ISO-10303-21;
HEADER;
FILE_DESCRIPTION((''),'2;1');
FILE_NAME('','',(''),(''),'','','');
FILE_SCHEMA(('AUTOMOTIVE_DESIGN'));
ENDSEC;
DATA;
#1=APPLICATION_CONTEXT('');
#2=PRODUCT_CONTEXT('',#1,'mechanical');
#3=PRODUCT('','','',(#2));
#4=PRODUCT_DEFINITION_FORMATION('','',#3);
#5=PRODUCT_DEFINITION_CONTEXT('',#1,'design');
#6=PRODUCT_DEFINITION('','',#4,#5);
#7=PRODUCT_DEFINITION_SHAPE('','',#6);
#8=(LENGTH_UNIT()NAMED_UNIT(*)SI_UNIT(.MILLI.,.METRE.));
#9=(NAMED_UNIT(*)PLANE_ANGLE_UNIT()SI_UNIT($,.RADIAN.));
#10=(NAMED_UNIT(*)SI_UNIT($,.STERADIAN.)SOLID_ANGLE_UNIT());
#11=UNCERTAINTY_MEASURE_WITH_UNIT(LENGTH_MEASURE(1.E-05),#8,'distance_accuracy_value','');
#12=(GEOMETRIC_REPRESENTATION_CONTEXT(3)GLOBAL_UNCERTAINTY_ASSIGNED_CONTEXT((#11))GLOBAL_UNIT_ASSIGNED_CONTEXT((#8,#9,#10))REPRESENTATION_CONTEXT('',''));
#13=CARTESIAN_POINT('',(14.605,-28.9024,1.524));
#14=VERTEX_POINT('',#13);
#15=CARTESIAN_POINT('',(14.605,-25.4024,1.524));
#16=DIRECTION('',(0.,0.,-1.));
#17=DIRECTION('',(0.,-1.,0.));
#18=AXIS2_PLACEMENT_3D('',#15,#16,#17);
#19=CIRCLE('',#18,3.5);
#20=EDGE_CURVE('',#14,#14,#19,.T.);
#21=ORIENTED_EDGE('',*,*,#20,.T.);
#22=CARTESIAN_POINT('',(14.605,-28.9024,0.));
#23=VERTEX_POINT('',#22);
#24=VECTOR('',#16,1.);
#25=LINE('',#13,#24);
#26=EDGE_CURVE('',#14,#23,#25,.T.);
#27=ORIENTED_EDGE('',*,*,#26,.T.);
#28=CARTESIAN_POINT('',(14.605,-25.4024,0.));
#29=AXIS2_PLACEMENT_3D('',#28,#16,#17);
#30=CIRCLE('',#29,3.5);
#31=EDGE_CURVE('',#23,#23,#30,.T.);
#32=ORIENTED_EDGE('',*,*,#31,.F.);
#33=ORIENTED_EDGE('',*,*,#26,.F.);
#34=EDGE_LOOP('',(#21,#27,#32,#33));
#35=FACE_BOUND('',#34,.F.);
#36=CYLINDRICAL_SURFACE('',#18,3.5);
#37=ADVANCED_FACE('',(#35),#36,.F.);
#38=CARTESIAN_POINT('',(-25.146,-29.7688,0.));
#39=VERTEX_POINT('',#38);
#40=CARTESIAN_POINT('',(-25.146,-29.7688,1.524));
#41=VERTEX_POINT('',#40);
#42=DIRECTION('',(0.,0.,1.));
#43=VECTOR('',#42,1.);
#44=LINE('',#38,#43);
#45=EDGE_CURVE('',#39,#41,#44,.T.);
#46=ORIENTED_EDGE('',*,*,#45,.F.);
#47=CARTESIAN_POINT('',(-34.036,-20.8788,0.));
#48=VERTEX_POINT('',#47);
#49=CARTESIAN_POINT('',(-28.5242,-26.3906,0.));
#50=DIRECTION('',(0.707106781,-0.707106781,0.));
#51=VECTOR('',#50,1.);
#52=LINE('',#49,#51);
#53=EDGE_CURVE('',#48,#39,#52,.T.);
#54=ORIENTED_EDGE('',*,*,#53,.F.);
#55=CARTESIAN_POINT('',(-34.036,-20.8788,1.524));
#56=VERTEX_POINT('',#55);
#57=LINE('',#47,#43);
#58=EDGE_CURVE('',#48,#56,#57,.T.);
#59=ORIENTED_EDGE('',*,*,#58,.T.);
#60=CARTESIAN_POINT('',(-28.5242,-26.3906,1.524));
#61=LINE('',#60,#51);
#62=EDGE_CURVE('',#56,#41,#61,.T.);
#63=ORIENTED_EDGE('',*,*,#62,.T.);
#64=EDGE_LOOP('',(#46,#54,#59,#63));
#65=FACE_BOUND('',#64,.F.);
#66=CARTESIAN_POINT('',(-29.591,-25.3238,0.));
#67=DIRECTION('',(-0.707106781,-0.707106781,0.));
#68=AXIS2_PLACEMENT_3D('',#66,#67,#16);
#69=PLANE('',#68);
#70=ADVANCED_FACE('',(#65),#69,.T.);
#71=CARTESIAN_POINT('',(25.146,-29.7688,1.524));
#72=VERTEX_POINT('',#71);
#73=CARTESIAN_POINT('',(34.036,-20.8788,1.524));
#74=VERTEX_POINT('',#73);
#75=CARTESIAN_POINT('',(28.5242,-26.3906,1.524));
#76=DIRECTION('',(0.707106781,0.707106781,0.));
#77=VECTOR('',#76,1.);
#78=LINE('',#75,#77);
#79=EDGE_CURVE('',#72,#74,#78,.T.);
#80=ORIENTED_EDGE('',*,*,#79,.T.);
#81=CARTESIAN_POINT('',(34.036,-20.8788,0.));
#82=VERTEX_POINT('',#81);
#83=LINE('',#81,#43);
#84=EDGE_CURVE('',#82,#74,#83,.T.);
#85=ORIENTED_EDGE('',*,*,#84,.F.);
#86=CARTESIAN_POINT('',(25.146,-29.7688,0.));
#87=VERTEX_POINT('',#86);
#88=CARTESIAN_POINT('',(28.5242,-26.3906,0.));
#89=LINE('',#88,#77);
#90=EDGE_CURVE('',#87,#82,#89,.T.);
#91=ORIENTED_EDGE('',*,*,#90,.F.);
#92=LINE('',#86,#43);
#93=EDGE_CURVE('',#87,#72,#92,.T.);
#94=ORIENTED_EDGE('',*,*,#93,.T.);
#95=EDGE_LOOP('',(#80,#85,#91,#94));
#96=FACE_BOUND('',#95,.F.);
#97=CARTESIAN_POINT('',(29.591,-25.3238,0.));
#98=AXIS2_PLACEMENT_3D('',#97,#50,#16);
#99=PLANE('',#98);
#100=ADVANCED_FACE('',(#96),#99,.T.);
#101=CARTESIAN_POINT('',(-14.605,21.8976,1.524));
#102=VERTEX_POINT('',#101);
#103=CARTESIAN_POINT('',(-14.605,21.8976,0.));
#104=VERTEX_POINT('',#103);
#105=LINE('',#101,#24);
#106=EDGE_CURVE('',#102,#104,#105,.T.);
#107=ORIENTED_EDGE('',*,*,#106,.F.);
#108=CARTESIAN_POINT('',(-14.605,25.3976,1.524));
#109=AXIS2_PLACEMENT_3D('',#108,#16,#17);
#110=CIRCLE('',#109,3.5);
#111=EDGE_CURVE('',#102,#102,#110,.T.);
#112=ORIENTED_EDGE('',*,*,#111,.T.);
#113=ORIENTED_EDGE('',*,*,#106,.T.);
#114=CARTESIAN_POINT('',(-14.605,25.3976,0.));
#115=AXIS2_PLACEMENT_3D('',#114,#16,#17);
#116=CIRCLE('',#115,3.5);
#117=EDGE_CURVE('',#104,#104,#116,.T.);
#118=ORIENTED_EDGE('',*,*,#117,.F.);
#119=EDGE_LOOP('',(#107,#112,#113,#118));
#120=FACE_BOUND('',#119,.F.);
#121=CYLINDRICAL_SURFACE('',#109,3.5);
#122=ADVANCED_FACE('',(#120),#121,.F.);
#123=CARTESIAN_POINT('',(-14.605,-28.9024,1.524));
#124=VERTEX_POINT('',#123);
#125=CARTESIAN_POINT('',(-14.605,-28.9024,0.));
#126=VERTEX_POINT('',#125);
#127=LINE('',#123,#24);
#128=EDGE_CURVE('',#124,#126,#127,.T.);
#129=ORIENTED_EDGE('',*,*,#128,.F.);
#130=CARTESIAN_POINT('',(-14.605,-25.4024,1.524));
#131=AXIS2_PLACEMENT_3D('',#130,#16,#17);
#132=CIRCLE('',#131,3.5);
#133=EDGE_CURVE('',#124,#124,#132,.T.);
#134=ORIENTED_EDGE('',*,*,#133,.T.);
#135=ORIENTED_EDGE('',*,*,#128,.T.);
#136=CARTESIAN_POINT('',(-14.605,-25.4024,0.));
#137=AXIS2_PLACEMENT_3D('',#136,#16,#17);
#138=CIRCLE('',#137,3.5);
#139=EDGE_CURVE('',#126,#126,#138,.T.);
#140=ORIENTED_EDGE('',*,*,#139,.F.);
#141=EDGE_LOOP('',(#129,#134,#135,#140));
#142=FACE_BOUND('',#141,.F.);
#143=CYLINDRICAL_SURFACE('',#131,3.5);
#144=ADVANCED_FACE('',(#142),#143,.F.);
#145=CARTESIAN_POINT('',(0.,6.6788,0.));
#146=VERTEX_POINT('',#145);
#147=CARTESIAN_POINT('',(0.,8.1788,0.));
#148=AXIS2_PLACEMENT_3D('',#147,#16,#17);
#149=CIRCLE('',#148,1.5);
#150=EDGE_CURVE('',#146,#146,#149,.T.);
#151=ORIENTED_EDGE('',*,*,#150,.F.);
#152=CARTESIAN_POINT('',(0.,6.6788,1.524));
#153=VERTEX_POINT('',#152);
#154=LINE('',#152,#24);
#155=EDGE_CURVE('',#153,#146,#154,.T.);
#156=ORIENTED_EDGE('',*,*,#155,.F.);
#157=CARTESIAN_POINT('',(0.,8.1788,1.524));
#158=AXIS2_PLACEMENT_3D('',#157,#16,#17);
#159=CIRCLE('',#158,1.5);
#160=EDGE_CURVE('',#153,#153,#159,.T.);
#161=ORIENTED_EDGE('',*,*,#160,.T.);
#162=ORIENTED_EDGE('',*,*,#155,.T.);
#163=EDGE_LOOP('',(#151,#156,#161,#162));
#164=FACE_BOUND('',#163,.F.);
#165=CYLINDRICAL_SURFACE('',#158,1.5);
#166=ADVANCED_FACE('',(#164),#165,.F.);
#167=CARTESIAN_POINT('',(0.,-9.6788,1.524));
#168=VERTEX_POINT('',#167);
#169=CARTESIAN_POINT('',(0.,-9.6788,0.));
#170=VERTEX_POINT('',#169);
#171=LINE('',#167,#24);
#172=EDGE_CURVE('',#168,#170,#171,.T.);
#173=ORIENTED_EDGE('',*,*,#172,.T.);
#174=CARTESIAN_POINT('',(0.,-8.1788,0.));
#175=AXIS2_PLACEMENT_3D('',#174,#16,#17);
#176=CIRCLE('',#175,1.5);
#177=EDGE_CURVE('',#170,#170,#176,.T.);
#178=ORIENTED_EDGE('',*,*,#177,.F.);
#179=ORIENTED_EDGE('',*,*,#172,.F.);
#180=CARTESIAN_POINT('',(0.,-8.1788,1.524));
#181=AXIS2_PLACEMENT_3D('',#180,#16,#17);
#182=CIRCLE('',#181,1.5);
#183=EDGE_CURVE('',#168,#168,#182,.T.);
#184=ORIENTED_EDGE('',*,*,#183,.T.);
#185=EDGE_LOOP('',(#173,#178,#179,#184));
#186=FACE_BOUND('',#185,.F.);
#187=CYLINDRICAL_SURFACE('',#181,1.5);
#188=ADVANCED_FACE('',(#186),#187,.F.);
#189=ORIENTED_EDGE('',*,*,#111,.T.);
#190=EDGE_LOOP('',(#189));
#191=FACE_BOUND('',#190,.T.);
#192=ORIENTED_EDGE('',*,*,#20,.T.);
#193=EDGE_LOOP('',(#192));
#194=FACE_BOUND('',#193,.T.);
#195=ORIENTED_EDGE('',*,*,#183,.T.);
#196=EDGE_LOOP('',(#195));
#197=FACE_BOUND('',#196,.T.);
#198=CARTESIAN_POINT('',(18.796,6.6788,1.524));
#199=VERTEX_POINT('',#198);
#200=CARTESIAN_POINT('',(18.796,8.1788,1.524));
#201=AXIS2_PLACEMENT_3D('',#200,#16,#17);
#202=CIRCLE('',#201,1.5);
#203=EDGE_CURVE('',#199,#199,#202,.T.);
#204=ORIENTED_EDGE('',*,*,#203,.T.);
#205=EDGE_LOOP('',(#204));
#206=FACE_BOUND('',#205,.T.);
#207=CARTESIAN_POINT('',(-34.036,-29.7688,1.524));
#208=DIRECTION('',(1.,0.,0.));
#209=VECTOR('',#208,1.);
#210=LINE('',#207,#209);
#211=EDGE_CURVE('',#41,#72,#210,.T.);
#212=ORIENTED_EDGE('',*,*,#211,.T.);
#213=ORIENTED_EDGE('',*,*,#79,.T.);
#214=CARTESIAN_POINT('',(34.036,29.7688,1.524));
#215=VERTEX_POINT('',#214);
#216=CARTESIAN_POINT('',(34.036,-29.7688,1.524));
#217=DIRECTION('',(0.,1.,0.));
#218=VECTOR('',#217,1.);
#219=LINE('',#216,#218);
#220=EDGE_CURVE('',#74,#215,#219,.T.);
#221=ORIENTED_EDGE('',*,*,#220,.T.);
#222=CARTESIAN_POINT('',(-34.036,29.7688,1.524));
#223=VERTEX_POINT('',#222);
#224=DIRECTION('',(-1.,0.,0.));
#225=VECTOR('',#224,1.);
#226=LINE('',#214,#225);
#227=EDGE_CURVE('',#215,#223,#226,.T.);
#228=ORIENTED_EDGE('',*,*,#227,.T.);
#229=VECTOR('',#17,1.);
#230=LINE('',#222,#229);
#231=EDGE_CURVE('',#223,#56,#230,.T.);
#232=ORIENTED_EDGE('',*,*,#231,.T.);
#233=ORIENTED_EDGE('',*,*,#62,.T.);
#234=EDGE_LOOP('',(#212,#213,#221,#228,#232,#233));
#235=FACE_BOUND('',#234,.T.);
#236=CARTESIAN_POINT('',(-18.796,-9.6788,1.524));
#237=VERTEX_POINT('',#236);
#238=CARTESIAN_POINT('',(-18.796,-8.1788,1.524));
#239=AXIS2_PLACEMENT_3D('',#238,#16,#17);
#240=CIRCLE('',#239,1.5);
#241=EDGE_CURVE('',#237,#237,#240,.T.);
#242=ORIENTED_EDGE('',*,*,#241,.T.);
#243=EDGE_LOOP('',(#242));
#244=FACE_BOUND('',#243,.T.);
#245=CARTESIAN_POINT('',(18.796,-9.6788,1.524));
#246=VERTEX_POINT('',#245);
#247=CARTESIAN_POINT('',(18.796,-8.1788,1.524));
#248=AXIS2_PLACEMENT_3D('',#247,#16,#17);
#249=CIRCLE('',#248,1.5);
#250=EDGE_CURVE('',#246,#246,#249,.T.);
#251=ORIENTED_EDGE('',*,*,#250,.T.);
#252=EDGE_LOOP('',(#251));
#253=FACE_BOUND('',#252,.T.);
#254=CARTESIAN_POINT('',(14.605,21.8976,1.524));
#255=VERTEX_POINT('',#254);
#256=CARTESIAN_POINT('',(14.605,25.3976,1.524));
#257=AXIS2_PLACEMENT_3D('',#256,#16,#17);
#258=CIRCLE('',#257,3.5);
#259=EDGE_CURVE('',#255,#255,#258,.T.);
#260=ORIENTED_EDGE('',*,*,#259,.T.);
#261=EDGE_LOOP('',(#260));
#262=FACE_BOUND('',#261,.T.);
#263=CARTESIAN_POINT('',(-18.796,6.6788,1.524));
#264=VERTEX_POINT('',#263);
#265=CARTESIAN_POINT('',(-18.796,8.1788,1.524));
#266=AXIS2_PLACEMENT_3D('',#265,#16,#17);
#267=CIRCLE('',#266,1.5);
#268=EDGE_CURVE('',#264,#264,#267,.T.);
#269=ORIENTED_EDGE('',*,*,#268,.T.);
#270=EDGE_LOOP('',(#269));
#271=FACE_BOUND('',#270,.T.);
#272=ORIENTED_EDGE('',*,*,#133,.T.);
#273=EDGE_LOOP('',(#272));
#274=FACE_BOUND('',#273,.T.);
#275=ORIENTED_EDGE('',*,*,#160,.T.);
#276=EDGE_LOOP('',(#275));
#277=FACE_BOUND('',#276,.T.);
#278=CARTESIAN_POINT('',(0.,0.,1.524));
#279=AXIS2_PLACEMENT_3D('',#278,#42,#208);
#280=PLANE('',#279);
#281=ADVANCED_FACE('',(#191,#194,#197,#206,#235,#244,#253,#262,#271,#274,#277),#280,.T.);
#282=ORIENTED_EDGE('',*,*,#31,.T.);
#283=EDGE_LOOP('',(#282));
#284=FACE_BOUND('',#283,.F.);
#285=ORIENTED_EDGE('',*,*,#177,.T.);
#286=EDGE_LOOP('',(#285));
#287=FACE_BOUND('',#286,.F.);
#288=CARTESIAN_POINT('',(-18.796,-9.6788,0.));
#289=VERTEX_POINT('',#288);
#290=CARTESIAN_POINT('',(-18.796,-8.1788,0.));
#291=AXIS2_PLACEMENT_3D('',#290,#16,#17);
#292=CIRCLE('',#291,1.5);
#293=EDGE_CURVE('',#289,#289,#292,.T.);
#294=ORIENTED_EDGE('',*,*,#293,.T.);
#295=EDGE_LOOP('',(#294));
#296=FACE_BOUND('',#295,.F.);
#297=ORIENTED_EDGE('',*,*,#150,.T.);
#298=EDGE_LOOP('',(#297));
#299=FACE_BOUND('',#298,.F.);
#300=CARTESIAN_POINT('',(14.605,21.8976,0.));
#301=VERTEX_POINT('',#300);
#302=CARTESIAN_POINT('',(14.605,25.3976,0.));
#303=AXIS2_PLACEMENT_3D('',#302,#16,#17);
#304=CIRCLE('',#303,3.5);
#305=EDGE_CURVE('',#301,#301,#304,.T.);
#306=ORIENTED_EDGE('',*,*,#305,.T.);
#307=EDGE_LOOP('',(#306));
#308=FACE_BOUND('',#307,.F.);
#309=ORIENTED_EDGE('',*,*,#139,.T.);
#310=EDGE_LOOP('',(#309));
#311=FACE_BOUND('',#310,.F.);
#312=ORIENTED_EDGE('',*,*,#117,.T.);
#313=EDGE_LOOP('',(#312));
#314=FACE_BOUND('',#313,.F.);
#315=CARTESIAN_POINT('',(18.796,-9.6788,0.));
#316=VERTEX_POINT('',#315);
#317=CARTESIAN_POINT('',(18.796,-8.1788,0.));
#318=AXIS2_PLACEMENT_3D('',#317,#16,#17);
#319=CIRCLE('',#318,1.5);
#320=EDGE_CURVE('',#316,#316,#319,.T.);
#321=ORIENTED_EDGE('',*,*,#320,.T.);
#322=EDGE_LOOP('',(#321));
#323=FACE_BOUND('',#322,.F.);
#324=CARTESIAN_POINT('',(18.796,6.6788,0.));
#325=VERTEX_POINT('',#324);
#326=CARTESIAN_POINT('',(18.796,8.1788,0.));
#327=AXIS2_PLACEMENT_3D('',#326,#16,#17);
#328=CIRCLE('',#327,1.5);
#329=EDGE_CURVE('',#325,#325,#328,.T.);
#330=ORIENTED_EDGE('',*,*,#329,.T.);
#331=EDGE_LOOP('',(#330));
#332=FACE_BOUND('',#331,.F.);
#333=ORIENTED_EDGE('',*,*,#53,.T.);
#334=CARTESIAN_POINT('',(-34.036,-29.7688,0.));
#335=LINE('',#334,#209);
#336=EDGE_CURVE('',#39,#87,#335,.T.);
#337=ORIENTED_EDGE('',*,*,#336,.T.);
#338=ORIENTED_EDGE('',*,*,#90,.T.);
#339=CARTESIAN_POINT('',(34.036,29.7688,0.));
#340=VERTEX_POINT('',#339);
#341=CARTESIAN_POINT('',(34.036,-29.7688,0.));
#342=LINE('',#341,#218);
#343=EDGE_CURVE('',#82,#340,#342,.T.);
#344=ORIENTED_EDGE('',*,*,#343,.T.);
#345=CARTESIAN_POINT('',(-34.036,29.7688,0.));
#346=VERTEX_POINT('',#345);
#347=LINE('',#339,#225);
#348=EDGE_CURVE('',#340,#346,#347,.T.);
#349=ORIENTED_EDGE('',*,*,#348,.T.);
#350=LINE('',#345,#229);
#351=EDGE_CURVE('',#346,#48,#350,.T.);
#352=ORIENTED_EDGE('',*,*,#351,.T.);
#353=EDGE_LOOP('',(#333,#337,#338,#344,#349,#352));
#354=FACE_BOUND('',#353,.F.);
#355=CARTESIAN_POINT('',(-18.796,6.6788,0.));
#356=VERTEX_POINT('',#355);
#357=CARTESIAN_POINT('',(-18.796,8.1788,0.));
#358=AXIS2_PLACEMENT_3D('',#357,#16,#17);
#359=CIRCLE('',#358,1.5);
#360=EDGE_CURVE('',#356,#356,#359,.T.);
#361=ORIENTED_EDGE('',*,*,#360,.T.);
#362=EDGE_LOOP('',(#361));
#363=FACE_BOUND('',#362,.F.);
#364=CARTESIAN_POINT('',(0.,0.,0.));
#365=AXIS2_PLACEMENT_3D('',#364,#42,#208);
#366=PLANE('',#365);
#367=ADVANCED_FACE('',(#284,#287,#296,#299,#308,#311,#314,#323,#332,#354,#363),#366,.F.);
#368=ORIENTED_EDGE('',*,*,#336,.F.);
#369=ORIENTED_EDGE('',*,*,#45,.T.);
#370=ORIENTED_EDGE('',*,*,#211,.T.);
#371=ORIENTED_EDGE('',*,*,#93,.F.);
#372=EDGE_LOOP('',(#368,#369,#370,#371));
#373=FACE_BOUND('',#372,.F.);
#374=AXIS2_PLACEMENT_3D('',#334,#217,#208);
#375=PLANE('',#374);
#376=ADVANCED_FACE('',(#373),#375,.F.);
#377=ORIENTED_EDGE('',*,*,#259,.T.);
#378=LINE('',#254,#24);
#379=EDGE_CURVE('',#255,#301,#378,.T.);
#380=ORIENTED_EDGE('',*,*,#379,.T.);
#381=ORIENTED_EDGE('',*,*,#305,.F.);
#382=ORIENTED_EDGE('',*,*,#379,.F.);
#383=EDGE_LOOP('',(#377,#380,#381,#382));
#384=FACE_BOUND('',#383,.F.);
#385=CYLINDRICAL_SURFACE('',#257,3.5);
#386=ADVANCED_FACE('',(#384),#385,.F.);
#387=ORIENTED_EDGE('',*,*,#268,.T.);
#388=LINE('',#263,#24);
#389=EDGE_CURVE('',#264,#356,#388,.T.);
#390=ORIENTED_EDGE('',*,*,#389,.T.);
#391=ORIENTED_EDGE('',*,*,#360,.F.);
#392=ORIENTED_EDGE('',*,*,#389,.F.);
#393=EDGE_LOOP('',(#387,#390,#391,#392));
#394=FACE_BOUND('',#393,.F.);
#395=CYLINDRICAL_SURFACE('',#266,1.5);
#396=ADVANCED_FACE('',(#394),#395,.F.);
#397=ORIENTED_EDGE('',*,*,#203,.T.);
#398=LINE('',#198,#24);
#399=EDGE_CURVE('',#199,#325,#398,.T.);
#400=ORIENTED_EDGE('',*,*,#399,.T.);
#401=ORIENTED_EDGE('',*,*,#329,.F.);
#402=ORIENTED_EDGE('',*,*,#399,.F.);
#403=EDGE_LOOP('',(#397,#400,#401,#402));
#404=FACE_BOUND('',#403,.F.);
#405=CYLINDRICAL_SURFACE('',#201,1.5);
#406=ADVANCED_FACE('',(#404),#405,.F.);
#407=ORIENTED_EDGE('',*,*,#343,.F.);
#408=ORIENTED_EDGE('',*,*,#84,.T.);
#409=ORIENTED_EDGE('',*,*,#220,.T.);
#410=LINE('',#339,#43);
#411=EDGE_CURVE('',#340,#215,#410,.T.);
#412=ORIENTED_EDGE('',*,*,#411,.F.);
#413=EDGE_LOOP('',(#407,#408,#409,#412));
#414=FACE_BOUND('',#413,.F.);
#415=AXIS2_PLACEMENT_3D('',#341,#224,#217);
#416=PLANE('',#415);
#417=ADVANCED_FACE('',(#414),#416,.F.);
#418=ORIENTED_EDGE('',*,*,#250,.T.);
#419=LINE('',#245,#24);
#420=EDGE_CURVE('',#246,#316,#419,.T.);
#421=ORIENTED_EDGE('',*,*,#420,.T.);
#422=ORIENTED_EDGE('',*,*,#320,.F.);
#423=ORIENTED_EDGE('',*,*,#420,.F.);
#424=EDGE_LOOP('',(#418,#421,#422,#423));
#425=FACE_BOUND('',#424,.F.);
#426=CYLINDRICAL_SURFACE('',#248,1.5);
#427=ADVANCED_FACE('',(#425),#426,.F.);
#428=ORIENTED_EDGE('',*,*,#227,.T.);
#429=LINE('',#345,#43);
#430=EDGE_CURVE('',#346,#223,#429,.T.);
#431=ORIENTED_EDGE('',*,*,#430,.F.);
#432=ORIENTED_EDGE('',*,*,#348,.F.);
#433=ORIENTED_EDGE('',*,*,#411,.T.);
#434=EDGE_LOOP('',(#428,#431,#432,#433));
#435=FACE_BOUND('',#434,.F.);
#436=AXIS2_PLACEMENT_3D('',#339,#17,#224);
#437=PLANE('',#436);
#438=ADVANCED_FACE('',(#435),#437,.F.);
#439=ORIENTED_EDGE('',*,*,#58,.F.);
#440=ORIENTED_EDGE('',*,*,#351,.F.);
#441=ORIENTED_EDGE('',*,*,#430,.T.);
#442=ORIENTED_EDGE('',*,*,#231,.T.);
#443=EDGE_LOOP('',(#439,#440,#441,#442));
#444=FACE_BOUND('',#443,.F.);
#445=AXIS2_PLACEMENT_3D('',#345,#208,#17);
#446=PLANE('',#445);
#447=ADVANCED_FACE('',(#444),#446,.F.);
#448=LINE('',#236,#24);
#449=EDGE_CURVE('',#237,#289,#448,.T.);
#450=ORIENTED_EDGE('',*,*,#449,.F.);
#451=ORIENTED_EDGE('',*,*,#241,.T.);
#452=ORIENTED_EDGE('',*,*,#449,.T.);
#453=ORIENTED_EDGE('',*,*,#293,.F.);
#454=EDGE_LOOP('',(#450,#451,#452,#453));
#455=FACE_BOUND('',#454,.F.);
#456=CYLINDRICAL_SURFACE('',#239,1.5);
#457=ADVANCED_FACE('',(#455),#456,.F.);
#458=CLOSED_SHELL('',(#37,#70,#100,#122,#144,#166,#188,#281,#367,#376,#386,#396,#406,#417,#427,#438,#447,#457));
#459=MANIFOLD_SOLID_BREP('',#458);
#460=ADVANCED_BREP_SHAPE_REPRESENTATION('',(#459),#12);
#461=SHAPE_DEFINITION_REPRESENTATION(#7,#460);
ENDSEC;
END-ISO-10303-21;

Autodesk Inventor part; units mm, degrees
ref_plane "YZ Plane" through (0, 0, 0) normal (1, 0, 0) x (0, 1, 0)
ref_plane "XZ Plane" through (0, 0, 0) normal (0, 1, 0) x (-1, 0, 0)
ref_plane "XY Plane" through (0, 0, 0) normal (0, 0, 1) x (1, 0, 0)
sketch "Sketch1" plane through (0, 0, 0) normal (0, 0, 1) x (1, 0, 0)
  line L0 (-34.036, -29.7688) -> (34.036, -29.7688)
  line L1 (34.036, -29.7688) -> (34.036, 29.7688)
  line L2 (34.036, 29.7688) -> (-34.036, 29.7688)
  line L3 (-34.036, 29.7688) -> (-34.036, -29.7688)
  line L4 (-34.036, -29.7688) -> (34.036, 29.7688) construction
  line L5 (34.036, -29.7688) -> (-34.036, 29.7688) construction
  point P0 (0, 0)
  dimension "d0" = 68.072
  dimension "d1" = 59.5376
extrude "Extrusion1" add sketch "Sketch1" along normal blind 1.524
sketch "Sketch2" plane through (0, 0, 1.524) normal (0, 0, 1) x (1, 0, 0)
  line L0 (34.036, 29.7688) -> (-34.036, 29.7688) projected
  line L1 (-34.036, -29.7688) -> (34.036, -29.7688) projected
  line L2 (-34.036, 29.7688) -> (-34.036, -29.7688) projected
  line L3 (34.036, -29.7688) -> (34.036, 29.7688) projected
  point P0 (0, 0)
  point P1 (-18.796, 8.1788)
  point P2 (-18.796, -8.1788)
  point P3 (0, 8.1788)
  point P4 (0, -8.1788)
  point P5 (18.796, 8.1788)
  point P6 (18.796, -8.1788)
  dimension "d4" = 21.59
  dimension "d5" = 21.59
  dimension "d6" = 15.24
  dimension "d7" = 15.24
  dimension "d8" = 37.592
  dimension "d9" = 18.796
hole "Hole1" at (-18.796, 8.1788, 1.524) at (-18.796, -8.1788, 1.524) at (0, 8.1788, 1.524) at (0, -8.1788, 1.524) at (18.796, 8.1788, 1.524) at (18.796, -8.1788, 1.524) direction (0, 0, -1) diameter 3 depth 25.4 tip angle 118
chamfer "Chamfer1" distance 8.89 angle 45 2 edges at (-34.036, -29.7688, 0.762) (34.036, -29.7688, 0.762)
sketch "Sketch4" plane through (0, 0, 1.524) normal (0, 0, 1) x (1, 0, 0)
  circle A0 centre (-14.605, 25.3976) radius 3.1496
  circle A1 centre (14.605, 25.3976) radius 3.1496
  circle A2 centre (-14.605, -25.4024) radius 3.1496
  circle A3 centre (14.605, -25.4024) radius 3.1496
  point P0 (0, 0)
hole "Hole3" at (-14.605, 25.3976, 1.524) at (14.605, 25.3976, 1.524) at (14.605, -25.4024, 1.524) at (-14.605, -25.4024, 1.524) direction (0, 0, -1) diameter 7 end through all
equation "\"d5\" = d4"
equation "\"d7\" = d6"
equation "\"d9\" = 0.5 * d8"
properties part number "DPLX_P030_VIPE Insulation Bottom" material "Polyethylene, High Density"
